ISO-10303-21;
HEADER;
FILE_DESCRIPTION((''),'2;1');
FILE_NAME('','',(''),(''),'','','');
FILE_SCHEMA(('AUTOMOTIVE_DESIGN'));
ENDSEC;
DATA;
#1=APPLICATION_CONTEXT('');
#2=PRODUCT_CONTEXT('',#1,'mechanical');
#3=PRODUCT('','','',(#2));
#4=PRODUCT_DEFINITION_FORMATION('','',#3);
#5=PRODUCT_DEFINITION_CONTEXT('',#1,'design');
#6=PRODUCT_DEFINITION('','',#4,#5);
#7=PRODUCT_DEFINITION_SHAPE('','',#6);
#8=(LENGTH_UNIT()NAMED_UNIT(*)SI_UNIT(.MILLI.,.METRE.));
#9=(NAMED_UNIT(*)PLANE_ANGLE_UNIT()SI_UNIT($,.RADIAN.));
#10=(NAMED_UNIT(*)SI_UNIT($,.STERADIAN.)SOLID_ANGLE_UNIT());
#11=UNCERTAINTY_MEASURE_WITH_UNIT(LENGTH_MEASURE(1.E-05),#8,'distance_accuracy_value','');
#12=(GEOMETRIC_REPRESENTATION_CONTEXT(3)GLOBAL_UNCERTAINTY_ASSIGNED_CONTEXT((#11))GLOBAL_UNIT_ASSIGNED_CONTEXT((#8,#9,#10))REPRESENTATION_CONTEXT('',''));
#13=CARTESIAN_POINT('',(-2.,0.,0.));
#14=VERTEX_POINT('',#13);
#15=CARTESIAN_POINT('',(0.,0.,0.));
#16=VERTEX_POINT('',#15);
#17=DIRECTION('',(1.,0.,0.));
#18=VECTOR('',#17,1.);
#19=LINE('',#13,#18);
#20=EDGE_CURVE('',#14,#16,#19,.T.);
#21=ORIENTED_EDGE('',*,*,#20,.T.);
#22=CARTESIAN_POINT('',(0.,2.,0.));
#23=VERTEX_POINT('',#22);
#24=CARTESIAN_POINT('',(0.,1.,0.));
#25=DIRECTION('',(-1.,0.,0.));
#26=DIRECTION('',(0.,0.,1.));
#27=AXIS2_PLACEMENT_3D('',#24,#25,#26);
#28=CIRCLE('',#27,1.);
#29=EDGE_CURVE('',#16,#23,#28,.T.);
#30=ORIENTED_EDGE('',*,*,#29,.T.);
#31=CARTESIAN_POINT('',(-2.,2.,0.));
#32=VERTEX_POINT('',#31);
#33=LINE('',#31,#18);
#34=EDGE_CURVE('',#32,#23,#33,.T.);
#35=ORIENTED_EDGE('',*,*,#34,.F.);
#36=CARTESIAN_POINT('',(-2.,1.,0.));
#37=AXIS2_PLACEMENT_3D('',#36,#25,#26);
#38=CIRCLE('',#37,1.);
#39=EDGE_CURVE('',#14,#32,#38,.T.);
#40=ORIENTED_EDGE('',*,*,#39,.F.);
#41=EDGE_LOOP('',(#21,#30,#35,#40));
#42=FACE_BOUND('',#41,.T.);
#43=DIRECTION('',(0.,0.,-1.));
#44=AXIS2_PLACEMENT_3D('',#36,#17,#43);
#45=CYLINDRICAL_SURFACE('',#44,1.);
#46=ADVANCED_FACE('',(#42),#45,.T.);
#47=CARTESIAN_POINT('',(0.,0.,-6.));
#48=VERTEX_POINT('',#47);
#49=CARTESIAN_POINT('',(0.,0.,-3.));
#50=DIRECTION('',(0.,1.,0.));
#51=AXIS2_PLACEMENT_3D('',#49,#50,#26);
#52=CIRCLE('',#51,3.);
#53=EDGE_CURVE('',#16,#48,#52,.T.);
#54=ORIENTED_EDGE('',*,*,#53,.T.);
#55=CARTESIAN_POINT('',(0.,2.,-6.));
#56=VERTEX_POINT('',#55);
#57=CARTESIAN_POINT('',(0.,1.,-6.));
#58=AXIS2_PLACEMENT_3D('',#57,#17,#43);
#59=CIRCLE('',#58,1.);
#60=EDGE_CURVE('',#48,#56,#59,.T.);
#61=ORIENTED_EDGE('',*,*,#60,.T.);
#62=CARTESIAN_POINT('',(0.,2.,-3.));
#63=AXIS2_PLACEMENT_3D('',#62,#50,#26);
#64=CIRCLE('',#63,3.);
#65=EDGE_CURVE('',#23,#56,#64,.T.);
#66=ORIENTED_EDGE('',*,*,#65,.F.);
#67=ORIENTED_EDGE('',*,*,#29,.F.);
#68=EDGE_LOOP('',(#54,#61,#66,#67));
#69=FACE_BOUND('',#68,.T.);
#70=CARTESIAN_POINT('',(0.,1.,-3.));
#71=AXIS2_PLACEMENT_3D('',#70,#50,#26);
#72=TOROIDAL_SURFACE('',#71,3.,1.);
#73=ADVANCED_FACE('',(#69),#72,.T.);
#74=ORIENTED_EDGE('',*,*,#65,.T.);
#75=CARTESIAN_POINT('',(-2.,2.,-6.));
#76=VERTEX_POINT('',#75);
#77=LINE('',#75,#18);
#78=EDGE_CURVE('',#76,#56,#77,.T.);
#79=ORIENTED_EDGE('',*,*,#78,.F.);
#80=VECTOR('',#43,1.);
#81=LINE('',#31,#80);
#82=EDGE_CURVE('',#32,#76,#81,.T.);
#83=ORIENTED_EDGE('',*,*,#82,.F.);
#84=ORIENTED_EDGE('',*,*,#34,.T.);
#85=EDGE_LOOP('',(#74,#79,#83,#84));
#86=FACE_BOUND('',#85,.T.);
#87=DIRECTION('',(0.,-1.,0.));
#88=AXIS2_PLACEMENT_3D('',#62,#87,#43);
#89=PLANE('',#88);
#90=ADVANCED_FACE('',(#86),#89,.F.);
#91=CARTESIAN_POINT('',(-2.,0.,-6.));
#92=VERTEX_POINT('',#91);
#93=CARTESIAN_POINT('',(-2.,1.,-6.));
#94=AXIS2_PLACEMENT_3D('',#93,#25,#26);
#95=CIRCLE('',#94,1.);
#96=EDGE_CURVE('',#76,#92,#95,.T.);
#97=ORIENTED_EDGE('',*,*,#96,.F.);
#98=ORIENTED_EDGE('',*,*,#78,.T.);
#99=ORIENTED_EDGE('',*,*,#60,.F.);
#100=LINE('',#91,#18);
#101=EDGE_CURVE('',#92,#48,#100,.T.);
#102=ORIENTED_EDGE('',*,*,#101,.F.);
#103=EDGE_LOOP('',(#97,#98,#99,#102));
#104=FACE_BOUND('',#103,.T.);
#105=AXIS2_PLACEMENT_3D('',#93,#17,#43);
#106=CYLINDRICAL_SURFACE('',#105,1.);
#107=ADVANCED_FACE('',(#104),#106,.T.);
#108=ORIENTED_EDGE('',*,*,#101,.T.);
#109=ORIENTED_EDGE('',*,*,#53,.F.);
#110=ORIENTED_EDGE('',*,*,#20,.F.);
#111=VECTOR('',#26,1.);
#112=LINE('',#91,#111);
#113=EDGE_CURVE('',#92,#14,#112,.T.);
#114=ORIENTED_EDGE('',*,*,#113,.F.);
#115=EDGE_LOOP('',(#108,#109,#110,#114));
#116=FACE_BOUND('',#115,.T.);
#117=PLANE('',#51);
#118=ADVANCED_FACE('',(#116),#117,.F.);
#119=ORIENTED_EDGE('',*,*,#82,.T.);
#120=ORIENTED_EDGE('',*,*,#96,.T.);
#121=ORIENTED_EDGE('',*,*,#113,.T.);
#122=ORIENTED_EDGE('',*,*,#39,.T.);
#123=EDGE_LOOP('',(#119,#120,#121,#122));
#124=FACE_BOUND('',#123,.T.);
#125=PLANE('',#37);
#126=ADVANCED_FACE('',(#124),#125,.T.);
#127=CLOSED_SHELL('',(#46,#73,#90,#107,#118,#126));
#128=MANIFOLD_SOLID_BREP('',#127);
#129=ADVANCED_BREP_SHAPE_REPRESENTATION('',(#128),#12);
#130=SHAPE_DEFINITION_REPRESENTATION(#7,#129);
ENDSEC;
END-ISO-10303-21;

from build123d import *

# Parameters (mm, degrees)
RIVOLUZIONE1_ANGLE           = 180
ESTRUSIONE_ESTRUSIONE1_DEPTH = 2


with BuildPart() as part:
    # Schizzo2 → Rivoluzione1 (revolve)
    with BuildSketch(Plane(origin=(0, 0, 0), x_dir=(0, 0, -1), z_dir=(1, 0, 0))):
        with BuildLine():
            Line((3, 0), (6, 0))
            ThreePointArc((6, 0), (7, 1), (6, 2))
            Line((6, 2), (3, 2))
            Line((3, 2), (3, 0))
        make_face()
    revolve(axis=Axis((0, 3.541842483, -3), (0, -1, 0)), revolution_arc=RIVOLUZIONE1_ANGLE)

    # Schizzo4 → Estrusione-Estrusione1 (add)
    with BuildSketch(Plane.ZY):
        with BuildLine():
            Line((0, 2), (-6, 2))
            ThreePointArc((-6, 2), (-7, 1), (-6, 0))
            Line((-6, 0), (0, 0))
            ThreePointArc((0, 0), (1, 1), (0, 2))
        make_face()
    extrude(amount=ESTRUSIONE_ESTRUSIONE1_DEPTH)


solid = part.part
